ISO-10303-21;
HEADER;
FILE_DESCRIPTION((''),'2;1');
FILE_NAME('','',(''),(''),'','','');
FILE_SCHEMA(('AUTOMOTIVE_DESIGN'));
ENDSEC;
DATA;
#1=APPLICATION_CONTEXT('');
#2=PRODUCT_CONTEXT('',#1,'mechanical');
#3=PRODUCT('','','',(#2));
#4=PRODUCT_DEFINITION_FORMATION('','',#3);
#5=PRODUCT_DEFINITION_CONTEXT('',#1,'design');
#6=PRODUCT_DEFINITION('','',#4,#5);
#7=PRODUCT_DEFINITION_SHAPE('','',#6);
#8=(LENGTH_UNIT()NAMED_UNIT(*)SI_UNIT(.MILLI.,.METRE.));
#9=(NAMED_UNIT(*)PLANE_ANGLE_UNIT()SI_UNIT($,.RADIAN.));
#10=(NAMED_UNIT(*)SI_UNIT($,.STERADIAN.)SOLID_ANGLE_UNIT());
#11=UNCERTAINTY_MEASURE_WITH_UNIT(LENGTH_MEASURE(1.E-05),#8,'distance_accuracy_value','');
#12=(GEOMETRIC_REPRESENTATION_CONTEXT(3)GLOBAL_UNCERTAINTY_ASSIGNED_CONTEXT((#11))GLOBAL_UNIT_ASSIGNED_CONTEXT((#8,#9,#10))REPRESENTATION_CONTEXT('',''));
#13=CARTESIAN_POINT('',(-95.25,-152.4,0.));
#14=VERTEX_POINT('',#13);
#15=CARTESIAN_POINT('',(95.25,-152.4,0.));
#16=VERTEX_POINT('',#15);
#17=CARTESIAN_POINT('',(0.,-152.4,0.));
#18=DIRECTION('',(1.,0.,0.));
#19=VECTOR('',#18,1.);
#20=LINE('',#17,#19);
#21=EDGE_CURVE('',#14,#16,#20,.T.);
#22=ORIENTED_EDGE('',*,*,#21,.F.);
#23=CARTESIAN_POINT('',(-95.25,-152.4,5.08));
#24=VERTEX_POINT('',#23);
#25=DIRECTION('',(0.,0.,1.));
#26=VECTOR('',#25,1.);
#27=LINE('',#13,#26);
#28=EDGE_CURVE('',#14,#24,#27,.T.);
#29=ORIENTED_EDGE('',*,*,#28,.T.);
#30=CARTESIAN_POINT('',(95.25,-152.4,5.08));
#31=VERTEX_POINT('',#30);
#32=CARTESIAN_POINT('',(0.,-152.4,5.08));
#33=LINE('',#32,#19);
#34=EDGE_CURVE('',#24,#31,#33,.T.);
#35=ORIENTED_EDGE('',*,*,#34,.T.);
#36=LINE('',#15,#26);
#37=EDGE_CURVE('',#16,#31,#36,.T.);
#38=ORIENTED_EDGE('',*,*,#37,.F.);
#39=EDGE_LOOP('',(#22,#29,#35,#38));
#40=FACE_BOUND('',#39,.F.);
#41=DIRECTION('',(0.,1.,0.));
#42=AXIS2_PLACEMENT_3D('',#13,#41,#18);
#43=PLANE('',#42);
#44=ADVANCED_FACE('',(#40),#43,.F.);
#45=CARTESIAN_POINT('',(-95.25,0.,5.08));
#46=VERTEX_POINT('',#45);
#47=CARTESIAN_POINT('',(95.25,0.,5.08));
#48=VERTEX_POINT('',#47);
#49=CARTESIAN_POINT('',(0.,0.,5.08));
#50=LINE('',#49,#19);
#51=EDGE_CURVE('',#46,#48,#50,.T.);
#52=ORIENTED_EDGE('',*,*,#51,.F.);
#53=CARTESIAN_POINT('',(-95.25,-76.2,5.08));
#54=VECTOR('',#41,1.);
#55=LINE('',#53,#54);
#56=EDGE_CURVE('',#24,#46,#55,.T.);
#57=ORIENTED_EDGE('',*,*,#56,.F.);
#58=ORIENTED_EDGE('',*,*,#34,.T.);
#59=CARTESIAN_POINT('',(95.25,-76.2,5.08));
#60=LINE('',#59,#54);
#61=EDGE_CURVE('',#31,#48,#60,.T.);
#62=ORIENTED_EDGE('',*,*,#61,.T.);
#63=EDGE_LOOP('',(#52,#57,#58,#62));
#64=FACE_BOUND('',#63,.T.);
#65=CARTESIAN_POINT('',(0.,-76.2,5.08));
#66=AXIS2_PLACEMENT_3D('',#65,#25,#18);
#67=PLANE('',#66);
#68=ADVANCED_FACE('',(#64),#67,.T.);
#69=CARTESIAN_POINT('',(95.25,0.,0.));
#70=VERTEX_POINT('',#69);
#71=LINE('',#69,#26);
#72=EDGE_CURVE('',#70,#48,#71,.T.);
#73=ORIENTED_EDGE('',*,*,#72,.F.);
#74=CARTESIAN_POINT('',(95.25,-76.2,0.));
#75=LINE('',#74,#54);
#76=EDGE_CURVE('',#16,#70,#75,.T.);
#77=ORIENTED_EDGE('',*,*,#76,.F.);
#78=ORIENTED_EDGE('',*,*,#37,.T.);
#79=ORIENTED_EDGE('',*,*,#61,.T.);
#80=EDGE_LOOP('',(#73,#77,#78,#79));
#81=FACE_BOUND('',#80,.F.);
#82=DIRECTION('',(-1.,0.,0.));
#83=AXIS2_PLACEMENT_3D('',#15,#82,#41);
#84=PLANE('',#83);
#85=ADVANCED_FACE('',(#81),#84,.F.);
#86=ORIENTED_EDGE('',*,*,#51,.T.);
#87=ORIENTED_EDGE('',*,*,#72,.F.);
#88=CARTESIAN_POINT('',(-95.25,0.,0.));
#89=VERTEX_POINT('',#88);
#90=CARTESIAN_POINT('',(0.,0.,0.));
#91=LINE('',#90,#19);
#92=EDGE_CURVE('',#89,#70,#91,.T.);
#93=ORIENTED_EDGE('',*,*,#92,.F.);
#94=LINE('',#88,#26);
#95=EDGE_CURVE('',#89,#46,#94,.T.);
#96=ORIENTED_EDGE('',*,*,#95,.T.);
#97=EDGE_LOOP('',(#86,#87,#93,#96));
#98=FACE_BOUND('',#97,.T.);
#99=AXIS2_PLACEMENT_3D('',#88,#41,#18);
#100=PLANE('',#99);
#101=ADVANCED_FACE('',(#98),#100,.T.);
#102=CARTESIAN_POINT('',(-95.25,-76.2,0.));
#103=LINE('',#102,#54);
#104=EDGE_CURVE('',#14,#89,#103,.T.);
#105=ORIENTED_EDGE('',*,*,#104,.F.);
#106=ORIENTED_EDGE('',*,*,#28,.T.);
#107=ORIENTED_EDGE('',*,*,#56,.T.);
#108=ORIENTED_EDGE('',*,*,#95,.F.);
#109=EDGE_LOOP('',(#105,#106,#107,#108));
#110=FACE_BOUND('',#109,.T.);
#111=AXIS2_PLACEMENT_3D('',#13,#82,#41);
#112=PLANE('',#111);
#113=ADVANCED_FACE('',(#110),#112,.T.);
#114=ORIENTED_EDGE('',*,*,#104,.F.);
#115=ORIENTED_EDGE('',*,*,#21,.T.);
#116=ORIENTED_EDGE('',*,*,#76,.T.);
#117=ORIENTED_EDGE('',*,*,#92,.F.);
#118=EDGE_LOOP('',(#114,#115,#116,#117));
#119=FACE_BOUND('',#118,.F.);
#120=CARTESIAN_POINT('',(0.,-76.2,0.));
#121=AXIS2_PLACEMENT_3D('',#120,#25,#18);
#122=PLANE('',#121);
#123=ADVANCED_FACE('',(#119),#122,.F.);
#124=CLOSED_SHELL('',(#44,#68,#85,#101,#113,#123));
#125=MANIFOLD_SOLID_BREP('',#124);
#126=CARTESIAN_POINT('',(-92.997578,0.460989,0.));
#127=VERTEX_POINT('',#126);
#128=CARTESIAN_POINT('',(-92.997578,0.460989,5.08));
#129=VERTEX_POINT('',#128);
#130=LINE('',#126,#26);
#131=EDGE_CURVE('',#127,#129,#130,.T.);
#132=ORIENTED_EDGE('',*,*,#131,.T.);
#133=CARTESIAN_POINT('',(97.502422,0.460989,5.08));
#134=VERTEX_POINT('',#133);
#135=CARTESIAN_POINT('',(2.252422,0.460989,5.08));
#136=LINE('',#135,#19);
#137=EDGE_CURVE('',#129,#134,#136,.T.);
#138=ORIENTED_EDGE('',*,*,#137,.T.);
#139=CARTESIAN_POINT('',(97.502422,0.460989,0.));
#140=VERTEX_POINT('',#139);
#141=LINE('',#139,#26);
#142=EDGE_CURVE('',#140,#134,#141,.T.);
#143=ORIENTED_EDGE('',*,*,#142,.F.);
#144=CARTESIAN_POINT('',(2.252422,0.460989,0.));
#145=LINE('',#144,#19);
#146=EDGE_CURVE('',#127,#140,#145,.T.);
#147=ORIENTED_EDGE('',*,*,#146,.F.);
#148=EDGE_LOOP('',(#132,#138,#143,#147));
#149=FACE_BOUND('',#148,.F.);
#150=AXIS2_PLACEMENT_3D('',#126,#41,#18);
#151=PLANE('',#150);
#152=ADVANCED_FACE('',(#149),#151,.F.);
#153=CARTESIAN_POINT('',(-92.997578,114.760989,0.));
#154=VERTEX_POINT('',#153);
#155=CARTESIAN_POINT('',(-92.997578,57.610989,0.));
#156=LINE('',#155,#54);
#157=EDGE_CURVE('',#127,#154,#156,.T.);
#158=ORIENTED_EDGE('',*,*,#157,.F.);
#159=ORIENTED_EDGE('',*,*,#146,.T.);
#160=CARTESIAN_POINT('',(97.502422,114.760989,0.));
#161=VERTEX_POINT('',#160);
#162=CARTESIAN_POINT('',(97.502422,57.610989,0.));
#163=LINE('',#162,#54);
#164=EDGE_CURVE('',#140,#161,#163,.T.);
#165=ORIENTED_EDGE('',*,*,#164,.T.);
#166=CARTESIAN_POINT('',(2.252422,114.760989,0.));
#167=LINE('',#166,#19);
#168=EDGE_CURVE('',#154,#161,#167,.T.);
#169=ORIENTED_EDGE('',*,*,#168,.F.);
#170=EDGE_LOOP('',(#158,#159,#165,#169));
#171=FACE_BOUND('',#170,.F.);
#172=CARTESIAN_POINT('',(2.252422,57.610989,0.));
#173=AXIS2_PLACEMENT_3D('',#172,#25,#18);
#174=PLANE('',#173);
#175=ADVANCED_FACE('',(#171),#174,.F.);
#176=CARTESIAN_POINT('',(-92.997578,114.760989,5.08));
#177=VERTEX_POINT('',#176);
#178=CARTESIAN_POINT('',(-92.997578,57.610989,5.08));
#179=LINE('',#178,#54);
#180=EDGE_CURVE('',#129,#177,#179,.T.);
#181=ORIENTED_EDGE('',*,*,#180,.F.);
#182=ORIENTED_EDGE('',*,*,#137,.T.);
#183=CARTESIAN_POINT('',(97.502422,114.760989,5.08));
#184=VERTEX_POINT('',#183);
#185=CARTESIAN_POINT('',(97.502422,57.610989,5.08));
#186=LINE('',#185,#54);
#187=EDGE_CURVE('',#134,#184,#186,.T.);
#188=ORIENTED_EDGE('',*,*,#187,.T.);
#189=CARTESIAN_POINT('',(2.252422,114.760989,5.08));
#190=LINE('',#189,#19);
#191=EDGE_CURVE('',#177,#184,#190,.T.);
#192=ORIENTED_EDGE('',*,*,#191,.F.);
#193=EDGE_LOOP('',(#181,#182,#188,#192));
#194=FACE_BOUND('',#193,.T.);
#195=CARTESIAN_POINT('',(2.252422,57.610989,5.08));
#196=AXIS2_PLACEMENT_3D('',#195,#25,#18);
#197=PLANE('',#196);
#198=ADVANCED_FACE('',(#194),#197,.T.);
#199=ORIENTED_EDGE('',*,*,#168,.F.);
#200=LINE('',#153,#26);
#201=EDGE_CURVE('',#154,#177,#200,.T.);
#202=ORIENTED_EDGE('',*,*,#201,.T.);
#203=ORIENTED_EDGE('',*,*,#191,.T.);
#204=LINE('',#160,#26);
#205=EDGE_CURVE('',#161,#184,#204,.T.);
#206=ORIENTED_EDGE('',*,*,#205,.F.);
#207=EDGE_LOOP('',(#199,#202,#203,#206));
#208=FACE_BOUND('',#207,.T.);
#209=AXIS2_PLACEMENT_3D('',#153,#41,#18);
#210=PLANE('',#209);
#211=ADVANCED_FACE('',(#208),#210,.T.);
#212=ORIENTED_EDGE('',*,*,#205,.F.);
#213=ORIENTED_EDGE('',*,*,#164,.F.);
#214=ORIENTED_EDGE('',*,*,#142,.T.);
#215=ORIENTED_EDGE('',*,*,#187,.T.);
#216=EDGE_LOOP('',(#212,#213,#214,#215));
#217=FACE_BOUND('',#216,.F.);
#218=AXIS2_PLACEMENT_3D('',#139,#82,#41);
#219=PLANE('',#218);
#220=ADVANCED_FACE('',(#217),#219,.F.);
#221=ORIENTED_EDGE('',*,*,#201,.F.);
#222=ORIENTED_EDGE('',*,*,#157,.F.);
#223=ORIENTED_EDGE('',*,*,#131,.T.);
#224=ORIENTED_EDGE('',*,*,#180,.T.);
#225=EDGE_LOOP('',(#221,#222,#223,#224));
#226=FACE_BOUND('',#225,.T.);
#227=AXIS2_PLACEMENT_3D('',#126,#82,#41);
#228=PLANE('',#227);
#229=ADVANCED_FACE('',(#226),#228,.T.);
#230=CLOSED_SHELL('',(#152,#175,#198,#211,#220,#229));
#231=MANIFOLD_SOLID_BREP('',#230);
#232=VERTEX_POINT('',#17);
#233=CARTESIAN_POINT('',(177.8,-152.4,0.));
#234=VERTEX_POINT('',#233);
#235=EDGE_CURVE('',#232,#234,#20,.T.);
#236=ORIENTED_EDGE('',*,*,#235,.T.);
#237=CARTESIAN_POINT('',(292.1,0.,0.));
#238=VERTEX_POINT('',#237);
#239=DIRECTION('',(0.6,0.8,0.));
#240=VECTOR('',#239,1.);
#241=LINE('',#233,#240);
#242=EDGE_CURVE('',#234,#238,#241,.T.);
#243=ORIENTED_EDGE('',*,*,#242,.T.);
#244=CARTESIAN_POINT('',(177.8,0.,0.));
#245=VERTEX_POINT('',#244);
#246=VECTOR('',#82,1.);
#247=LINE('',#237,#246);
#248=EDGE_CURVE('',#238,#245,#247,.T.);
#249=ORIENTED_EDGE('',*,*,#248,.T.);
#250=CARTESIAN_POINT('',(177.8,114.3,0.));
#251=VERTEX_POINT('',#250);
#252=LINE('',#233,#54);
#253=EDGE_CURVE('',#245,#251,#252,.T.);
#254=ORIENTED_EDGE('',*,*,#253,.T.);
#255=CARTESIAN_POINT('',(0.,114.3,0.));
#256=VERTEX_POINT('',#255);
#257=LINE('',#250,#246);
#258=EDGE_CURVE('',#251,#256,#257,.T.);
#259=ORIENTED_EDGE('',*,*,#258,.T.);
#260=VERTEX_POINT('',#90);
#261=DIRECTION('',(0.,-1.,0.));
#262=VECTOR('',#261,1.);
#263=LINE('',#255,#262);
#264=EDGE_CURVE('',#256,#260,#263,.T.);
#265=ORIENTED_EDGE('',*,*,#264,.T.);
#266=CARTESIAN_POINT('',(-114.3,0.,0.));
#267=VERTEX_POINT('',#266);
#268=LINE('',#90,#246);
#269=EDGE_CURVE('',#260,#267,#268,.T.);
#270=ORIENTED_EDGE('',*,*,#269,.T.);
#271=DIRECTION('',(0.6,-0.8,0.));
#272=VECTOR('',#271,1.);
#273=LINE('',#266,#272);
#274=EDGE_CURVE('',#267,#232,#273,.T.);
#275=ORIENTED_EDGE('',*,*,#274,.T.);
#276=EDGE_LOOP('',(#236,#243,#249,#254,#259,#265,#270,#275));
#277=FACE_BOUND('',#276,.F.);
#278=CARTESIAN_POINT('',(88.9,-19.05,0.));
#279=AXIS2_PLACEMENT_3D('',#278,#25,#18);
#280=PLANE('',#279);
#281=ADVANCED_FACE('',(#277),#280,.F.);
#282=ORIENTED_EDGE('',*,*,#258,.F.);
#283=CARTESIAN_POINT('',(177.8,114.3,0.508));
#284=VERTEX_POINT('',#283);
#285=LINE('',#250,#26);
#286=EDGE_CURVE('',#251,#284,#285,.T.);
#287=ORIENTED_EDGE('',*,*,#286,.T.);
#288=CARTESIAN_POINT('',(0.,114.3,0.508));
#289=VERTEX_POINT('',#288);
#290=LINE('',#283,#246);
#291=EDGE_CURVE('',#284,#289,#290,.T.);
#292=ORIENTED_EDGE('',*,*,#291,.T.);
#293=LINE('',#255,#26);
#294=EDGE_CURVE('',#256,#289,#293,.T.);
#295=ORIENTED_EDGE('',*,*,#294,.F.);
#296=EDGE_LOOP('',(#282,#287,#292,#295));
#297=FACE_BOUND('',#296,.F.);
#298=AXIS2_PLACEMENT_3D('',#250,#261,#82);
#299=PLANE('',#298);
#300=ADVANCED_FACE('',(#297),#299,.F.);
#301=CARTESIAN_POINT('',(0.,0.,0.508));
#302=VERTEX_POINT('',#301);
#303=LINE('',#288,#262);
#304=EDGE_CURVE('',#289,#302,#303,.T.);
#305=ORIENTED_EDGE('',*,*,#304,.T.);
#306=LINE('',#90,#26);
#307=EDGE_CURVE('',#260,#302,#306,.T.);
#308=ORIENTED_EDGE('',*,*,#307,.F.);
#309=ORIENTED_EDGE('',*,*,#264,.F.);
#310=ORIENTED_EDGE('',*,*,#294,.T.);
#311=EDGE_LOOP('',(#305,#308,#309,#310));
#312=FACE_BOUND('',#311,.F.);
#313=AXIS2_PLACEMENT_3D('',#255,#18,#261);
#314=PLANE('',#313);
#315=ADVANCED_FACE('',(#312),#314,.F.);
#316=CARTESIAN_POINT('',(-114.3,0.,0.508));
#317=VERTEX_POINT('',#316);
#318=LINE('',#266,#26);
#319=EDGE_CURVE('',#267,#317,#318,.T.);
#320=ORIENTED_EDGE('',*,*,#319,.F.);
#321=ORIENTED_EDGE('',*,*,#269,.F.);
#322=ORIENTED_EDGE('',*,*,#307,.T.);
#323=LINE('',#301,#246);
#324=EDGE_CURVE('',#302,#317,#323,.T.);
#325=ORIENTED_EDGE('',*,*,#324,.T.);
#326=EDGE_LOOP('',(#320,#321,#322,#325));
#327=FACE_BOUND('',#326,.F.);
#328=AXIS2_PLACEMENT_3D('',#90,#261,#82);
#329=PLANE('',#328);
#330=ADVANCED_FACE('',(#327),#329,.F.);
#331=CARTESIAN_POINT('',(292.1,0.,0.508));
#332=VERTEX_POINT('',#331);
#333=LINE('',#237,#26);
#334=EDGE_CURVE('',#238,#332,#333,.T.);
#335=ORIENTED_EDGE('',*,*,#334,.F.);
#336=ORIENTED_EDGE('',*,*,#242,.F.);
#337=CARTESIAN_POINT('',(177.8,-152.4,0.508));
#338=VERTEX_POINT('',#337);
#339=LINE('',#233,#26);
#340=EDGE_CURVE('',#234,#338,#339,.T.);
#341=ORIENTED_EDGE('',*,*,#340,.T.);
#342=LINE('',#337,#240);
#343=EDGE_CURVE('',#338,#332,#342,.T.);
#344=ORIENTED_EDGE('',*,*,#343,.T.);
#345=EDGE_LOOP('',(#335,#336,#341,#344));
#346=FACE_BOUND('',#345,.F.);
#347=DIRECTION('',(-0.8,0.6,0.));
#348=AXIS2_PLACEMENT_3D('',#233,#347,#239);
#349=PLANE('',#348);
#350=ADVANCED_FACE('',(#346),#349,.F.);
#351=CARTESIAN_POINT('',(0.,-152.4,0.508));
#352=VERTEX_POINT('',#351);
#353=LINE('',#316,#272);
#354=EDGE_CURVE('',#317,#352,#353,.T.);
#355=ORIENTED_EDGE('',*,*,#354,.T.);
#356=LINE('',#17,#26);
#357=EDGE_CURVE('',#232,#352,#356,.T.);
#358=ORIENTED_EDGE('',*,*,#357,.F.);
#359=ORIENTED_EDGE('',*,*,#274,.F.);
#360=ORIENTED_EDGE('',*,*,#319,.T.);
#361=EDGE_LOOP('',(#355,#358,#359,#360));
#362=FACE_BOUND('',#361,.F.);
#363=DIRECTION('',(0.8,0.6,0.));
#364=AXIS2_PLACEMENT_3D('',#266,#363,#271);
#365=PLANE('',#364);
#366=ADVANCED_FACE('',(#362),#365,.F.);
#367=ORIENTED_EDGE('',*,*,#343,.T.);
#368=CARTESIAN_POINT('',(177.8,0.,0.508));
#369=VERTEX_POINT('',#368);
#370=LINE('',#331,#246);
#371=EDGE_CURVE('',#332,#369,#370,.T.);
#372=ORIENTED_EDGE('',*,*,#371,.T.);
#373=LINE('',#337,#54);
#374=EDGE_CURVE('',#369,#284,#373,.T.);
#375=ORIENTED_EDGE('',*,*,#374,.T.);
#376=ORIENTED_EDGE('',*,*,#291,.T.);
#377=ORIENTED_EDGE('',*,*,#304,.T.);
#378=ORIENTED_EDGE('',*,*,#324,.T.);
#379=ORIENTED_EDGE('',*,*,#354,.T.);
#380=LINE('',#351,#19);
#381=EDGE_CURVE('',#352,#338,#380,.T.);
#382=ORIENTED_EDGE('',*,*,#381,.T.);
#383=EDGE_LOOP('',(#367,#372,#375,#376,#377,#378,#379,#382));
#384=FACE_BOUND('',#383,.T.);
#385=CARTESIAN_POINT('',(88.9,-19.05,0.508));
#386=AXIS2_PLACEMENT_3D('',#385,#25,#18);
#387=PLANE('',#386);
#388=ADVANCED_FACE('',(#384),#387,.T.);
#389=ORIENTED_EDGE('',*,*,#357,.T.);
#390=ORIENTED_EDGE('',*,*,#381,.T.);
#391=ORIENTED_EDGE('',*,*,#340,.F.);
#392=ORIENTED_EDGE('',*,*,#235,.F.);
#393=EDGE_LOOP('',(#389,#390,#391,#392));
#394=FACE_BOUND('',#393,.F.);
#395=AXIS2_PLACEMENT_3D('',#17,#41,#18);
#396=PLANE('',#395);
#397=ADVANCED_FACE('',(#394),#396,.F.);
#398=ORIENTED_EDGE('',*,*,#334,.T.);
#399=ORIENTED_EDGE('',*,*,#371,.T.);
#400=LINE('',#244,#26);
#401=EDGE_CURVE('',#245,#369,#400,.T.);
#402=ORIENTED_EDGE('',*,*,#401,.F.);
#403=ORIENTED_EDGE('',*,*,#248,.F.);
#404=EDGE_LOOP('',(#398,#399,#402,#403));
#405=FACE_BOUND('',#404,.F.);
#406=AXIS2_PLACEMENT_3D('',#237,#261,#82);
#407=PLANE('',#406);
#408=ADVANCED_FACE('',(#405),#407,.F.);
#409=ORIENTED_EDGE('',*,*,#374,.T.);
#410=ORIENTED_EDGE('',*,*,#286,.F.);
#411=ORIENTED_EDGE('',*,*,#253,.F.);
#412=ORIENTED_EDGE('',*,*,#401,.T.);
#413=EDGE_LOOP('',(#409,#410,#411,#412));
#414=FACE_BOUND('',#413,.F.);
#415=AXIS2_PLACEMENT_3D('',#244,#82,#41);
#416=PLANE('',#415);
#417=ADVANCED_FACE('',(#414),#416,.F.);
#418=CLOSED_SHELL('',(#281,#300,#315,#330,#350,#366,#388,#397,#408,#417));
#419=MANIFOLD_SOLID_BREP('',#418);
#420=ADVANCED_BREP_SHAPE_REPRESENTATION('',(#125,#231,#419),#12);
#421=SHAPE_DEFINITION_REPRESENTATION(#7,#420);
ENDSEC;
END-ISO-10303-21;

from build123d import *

# Parameters (mm, degrees)
F0_W     = 190.5
F0_H     = 114.3
F1_DEPTH = 5.08
F2_W     = 190.5
F2_H     = 152.4
F3_DEPTH = 5.08
F5_DEPTH = 0.508


with BuildPart() as f1:
    # F0 (on Top) → F1 (new body)
    with BuildSketch(Plane.XY):
        with Locations((2.252422, 57.610989)):
            Rectangle(F0_W, F0_H)
    extrude(amount=F1_DEPTH)


with BuildPart() as f3:
    # F2 (on Top) → F3 (new body)
    with BuildSketch(Plane.XY):
        with Locations((0, -76.2)):
            Rectangle(F2_W, F2_H)
    extrude(amount=F3_DEPTH)


with BuildPart() as f5:
    # F4 (on Top) → F5 (new body)
    with BuildSketch(Plane.XY):
        Polygon((0, 114.3), (0, 0), (0, -152.4), (177.8, -152.4), (177.8, 0), (177.8, 114.3), align=None)
        Polygon((0, -152.4), (0, 0), (-114.3, 0), align=None)
        Polygon((177.8, 0), (177.8, -152.4), (292.1, 0), align=None)
    extrude(amount=F5_DEPTH)


solid = Compound([f1.part, f3.part, f5.part])
